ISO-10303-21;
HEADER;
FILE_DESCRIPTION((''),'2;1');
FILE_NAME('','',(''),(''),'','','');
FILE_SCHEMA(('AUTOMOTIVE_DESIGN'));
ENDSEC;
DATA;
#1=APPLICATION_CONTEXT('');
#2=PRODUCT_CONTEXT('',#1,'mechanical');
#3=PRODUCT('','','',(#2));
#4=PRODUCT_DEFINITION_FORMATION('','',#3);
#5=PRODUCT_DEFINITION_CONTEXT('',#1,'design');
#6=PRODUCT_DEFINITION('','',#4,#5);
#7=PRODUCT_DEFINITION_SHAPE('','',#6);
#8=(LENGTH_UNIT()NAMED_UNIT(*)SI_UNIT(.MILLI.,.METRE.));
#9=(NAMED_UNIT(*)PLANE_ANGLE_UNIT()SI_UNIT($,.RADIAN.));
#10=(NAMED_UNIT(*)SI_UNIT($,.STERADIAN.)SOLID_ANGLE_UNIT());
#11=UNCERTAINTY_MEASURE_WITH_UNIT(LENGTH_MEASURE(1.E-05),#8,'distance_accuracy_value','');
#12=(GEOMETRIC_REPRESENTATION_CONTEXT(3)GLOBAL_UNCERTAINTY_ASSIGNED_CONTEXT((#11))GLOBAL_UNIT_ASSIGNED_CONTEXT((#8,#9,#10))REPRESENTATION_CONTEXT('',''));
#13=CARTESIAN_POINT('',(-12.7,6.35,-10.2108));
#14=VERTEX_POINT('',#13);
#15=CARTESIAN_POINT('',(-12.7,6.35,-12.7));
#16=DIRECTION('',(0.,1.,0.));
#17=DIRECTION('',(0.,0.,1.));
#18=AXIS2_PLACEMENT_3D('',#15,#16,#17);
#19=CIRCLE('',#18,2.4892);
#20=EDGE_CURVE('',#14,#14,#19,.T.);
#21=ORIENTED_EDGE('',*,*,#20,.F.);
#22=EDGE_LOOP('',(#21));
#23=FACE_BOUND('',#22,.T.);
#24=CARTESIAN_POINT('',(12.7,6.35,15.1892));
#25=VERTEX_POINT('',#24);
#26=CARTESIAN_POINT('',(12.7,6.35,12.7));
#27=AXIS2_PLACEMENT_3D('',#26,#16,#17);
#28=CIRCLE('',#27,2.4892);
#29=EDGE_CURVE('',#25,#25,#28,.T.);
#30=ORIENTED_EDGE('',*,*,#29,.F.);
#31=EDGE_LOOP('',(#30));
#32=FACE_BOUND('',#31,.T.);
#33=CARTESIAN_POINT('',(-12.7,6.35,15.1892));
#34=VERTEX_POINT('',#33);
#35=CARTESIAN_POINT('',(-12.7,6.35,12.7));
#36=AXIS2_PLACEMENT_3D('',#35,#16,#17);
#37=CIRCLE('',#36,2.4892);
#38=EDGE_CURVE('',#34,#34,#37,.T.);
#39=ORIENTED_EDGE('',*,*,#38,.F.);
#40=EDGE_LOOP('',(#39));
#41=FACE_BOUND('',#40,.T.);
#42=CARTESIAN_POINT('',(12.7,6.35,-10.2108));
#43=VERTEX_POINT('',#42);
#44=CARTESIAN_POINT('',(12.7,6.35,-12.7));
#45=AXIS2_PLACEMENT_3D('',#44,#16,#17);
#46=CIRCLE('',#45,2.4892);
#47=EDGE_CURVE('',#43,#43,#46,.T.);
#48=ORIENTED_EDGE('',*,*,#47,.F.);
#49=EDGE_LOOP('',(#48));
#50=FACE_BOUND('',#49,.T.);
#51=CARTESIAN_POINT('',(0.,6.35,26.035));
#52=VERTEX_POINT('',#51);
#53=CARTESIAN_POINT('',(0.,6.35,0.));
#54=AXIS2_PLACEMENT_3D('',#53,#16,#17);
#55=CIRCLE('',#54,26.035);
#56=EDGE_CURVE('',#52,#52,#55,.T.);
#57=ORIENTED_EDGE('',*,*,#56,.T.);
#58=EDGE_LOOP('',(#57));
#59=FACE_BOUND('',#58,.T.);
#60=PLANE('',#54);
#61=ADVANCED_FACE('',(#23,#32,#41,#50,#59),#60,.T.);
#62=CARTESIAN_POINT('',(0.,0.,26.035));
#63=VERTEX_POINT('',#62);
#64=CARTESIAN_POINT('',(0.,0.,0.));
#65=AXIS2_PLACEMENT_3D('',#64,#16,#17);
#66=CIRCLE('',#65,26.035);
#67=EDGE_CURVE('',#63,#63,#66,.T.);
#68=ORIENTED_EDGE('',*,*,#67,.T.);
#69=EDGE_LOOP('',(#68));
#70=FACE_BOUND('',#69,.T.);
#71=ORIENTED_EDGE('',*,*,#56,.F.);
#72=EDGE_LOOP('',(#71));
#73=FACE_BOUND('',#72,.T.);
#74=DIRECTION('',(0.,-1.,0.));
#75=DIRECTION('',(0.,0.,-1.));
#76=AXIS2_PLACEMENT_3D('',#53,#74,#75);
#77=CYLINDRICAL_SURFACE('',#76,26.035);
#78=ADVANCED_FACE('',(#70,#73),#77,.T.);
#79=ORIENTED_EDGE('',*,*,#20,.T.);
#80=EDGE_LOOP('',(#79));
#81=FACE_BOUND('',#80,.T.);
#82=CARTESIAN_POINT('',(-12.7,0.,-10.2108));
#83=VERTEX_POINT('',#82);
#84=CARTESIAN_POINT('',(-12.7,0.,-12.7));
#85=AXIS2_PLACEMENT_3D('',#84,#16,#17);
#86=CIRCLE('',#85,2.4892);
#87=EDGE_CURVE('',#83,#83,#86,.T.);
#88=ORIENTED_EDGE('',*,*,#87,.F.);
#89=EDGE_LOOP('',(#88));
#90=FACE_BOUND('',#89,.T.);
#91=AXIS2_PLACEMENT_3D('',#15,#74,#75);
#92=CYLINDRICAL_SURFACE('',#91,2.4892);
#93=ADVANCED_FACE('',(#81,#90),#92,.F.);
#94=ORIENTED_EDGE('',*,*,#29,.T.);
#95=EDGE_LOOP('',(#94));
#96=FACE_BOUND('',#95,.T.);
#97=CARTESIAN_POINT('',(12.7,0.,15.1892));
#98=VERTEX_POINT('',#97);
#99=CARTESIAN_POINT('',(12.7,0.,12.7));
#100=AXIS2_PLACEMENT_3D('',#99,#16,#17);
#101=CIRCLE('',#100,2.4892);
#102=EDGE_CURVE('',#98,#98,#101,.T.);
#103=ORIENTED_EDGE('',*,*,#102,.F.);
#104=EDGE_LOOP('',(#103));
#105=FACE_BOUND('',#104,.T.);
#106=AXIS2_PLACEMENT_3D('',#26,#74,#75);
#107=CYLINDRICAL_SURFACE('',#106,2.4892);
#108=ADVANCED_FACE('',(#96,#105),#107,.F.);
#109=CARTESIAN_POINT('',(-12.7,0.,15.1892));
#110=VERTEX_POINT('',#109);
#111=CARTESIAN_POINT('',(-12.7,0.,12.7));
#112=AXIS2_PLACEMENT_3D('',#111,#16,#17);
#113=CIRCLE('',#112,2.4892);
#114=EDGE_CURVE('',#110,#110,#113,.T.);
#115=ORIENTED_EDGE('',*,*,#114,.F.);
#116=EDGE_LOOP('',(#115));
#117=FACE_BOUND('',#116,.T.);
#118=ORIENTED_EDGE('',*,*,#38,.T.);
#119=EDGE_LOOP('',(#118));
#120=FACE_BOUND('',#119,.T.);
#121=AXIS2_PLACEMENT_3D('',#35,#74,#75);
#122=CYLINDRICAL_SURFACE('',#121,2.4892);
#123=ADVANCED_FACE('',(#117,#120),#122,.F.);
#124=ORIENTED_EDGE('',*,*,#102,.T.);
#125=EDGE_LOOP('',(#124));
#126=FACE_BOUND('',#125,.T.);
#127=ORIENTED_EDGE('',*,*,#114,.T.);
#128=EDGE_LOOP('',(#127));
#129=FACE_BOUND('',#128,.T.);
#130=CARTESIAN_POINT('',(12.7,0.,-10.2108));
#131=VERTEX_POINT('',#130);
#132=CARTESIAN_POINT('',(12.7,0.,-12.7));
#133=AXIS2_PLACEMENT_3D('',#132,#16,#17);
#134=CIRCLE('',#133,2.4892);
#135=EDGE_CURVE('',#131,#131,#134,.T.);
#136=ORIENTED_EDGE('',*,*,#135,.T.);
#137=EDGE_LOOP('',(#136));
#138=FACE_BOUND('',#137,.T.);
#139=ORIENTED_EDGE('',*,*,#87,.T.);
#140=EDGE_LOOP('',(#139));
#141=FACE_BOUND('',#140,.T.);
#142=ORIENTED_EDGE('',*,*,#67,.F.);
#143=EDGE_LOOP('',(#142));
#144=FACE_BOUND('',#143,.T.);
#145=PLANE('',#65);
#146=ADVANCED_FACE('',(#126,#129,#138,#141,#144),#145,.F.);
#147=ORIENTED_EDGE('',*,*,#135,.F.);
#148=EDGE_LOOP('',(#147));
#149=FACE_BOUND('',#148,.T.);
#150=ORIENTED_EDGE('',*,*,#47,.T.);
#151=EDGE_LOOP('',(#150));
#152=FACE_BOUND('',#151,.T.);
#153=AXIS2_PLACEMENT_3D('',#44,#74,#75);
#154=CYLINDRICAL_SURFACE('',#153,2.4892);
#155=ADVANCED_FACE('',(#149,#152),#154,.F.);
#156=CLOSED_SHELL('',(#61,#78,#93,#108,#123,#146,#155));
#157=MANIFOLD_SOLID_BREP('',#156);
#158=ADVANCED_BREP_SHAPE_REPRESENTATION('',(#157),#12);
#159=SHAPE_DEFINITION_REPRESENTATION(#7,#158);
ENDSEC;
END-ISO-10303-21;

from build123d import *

# Parameters (mm, degrees)
SKETCH1_R           = 26.035
SKETCH1_R_2         = 2.4892
BOSS_EXTRUDE1_DEPTH = 6.35


with BuildPart() as part:
    # Sketch1 → Boss-Extrude1 (new body)
    with BuildSketch(Plane(origin=(0, 0, 0), x_dir=(1, 0, 0), z_dir=(0, 1, 0))):
        with Locations(Location((0, 0, 0), (0, 0, 270))):
            Circle(SKETCH1_R)
        with Locations(Location((-12.7, 12.7, 0), (0, 0, 270))):
            Circle(SKETCH1_R_2, mode=Mode.SUBTRACT)
        with Locations(Location((-12.7, -12.7, 0), (0, 0, 270))):
            Circle(SKETCH1_R_2, mode=Mode.SUBTRACT)
        with Locations(Location((12.7, -12.7, 0), (0, 0, 270))):
            Circle(SKETCH1_R_2, mode=Mode.SUBTRACT)
        with Locations(Location((12.7, 12.7, 0), (0, 0, 270))):
            Circle(SKETCH1_R_2, mode=Mode.SUBTRACT)
    extrude(amount=BOSS_EXTRUDE1_DEPTH)


solid = part.part
